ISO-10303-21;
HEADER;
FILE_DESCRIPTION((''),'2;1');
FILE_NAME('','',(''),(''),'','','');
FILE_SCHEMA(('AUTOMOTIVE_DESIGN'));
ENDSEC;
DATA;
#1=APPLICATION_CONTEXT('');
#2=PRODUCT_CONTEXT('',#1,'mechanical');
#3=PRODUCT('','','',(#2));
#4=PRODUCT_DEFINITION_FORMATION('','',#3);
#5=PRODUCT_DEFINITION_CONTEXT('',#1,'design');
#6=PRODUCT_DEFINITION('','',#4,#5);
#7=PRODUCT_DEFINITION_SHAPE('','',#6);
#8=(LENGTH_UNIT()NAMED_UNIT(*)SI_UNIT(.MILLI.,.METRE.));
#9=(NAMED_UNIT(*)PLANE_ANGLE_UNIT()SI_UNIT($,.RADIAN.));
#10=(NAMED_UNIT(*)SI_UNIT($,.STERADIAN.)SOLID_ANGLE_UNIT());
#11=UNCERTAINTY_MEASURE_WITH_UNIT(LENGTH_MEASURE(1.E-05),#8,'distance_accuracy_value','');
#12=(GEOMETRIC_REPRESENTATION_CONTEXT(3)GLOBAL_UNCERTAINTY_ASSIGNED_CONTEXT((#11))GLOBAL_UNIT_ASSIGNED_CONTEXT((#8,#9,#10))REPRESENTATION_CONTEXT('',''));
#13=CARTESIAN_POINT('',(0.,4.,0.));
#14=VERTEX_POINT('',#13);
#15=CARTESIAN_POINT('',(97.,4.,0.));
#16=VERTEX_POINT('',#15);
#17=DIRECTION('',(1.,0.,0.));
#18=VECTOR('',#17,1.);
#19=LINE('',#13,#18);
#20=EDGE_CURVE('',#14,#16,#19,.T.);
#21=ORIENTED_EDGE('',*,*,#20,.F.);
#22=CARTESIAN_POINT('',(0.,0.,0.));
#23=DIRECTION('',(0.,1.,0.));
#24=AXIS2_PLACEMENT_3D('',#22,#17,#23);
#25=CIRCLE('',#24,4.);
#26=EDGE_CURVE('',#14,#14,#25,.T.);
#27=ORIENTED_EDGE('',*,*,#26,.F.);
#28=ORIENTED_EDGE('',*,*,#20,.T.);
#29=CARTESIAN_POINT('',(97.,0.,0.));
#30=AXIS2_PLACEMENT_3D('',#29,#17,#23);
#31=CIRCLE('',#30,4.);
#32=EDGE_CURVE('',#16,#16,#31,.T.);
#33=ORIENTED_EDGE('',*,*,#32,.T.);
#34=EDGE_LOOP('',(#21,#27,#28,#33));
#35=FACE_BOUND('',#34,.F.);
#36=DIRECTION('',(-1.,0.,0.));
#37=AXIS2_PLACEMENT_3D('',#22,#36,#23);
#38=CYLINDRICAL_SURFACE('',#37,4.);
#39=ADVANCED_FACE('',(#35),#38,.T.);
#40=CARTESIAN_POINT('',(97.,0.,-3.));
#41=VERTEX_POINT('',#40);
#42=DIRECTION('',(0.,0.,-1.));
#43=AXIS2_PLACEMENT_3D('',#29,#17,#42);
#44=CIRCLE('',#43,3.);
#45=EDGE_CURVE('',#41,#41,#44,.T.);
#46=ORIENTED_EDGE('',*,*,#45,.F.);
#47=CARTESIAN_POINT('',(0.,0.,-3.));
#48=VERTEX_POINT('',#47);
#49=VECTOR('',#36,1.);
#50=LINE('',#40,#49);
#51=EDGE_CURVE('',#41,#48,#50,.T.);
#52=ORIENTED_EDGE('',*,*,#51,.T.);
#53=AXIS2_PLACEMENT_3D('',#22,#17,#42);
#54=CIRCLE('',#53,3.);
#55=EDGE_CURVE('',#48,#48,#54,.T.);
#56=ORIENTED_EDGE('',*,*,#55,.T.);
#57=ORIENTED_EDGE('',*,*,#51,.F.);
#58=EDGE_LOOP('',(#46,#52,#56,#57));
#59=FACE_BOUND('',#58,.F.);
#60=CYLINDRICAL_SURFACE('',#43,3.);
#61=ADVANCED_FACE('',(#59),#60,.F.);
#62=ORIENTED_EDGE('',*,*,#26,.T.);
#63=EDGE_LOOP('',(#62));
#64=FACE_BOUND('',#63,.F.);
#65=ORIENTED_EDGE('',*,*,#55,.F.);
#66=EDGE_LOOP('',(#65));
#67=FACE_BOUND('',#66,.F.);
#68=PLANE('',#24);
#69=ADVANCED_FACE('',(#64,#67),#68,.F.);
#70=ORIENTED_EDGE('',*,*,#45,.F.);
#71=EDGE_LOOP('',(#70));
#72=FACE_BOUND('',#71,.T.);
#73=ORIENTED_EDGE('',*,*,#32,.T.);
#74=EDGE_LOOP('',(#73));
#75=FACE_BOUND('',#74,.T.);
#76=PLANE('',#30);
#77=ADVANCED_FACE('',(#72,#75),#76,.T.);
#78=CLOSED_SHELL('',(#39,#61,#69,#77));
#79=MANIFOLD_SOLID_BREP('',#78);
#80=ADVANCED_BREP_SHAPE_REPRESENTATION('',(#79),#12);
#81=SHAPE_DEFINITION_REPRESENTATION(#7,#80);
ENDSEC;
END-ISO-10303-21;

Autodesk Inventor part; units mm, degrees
ref_plane "YZ Plane" through (0, 0, 0) normal (1, 0, 0) x (0, 1, 0)
ref_plane "XZ Plane" through (0, 0, 0) normal (0, 1, 0) x (-1, 0, 0)
ref_plane "XY Plane" through (0, 0, 0) normal (0, 0, 1) x (1, 0, 0)
sketch "Sketch1" plane through (0, 0, 0) normal (1, 0, 0) x (0, 1, 0)
  circle A0 centre (0, 0) radius 4
  dimension "d0" = 8
extrude "Extrusion1" add sketch "Sketch1" along normal blind 97
sketch "Sketch2" plane through (97, 0, 0) normal (1, 0, 0) x (0, 0, -1)
  circle A0 centre (0, 0) radius 4 projected
  circle A1 centre (0, 0) radius 3
  dimension "d3" = 1
extrude "Extrusion2" cut sketch "Sketch2" against normal through all contours A1
ref_plane "Work Plane4" through (49.5, 0, 0) normal (-1, 0, 0) x (0, 0, 1)
ref_plane "Work Plane3" through (42.5, 0, 0) normal (-1, 0, 0) x (0, 0, 1)
ref_plane "Work Plane6" through (64.5, 0, 0) normal (-1, 0, 0) x (0, 0, 1)
ref_plane "Work Plane5" through (56.5, 0, 0) normal (-1, 0, 0) x (0, 0, 1)
ref_plane "Work Plane7" through (64.5, 0, 0) normal (-1, 0, 0) x (0, 0, 1)
sketch "Sketch3" plane through (12, 0, 0) normal (-1, 0, 0) x (0, 0, 1)
  circle A0 centre (0, 0) radius 4 projected
  circle A1 centre (0, 0) radius 4 projected
  circle A2 centre (0, 0) radius 4.5
  dimension "d13" = 0.5
ref_plane "Work Plane9" through (97, 0, 0) normal (-1, 0, 0) x (0, 0, 1)
ref_plane "Work Plane8" through (90, 0, 0) normal (-1, 0, 0) x (0, 0, 1)
ref_plane "Work Plane11" through (65.5, 0, 0) normal (-1, 0, 0) x (0, 0, 1)
sketch "Sketch5" plane through (65.5, 0, 0) normal (-1, 0, 0) x (0, 0, 1)
  circle A0 centre (0, 0) radius 4 projected
  circle A1 centre (0, 0) radius 4 projected
ref_plane "Work Plane1" through (0, 0, 0) normal (-1, 0, 0) x (0, 0, 1)
ref_plane "Work Plane2" through (12, 0, 0) normal (-1, 0, 0) x (0, 0, 1)
properties part number "eje_solo"
